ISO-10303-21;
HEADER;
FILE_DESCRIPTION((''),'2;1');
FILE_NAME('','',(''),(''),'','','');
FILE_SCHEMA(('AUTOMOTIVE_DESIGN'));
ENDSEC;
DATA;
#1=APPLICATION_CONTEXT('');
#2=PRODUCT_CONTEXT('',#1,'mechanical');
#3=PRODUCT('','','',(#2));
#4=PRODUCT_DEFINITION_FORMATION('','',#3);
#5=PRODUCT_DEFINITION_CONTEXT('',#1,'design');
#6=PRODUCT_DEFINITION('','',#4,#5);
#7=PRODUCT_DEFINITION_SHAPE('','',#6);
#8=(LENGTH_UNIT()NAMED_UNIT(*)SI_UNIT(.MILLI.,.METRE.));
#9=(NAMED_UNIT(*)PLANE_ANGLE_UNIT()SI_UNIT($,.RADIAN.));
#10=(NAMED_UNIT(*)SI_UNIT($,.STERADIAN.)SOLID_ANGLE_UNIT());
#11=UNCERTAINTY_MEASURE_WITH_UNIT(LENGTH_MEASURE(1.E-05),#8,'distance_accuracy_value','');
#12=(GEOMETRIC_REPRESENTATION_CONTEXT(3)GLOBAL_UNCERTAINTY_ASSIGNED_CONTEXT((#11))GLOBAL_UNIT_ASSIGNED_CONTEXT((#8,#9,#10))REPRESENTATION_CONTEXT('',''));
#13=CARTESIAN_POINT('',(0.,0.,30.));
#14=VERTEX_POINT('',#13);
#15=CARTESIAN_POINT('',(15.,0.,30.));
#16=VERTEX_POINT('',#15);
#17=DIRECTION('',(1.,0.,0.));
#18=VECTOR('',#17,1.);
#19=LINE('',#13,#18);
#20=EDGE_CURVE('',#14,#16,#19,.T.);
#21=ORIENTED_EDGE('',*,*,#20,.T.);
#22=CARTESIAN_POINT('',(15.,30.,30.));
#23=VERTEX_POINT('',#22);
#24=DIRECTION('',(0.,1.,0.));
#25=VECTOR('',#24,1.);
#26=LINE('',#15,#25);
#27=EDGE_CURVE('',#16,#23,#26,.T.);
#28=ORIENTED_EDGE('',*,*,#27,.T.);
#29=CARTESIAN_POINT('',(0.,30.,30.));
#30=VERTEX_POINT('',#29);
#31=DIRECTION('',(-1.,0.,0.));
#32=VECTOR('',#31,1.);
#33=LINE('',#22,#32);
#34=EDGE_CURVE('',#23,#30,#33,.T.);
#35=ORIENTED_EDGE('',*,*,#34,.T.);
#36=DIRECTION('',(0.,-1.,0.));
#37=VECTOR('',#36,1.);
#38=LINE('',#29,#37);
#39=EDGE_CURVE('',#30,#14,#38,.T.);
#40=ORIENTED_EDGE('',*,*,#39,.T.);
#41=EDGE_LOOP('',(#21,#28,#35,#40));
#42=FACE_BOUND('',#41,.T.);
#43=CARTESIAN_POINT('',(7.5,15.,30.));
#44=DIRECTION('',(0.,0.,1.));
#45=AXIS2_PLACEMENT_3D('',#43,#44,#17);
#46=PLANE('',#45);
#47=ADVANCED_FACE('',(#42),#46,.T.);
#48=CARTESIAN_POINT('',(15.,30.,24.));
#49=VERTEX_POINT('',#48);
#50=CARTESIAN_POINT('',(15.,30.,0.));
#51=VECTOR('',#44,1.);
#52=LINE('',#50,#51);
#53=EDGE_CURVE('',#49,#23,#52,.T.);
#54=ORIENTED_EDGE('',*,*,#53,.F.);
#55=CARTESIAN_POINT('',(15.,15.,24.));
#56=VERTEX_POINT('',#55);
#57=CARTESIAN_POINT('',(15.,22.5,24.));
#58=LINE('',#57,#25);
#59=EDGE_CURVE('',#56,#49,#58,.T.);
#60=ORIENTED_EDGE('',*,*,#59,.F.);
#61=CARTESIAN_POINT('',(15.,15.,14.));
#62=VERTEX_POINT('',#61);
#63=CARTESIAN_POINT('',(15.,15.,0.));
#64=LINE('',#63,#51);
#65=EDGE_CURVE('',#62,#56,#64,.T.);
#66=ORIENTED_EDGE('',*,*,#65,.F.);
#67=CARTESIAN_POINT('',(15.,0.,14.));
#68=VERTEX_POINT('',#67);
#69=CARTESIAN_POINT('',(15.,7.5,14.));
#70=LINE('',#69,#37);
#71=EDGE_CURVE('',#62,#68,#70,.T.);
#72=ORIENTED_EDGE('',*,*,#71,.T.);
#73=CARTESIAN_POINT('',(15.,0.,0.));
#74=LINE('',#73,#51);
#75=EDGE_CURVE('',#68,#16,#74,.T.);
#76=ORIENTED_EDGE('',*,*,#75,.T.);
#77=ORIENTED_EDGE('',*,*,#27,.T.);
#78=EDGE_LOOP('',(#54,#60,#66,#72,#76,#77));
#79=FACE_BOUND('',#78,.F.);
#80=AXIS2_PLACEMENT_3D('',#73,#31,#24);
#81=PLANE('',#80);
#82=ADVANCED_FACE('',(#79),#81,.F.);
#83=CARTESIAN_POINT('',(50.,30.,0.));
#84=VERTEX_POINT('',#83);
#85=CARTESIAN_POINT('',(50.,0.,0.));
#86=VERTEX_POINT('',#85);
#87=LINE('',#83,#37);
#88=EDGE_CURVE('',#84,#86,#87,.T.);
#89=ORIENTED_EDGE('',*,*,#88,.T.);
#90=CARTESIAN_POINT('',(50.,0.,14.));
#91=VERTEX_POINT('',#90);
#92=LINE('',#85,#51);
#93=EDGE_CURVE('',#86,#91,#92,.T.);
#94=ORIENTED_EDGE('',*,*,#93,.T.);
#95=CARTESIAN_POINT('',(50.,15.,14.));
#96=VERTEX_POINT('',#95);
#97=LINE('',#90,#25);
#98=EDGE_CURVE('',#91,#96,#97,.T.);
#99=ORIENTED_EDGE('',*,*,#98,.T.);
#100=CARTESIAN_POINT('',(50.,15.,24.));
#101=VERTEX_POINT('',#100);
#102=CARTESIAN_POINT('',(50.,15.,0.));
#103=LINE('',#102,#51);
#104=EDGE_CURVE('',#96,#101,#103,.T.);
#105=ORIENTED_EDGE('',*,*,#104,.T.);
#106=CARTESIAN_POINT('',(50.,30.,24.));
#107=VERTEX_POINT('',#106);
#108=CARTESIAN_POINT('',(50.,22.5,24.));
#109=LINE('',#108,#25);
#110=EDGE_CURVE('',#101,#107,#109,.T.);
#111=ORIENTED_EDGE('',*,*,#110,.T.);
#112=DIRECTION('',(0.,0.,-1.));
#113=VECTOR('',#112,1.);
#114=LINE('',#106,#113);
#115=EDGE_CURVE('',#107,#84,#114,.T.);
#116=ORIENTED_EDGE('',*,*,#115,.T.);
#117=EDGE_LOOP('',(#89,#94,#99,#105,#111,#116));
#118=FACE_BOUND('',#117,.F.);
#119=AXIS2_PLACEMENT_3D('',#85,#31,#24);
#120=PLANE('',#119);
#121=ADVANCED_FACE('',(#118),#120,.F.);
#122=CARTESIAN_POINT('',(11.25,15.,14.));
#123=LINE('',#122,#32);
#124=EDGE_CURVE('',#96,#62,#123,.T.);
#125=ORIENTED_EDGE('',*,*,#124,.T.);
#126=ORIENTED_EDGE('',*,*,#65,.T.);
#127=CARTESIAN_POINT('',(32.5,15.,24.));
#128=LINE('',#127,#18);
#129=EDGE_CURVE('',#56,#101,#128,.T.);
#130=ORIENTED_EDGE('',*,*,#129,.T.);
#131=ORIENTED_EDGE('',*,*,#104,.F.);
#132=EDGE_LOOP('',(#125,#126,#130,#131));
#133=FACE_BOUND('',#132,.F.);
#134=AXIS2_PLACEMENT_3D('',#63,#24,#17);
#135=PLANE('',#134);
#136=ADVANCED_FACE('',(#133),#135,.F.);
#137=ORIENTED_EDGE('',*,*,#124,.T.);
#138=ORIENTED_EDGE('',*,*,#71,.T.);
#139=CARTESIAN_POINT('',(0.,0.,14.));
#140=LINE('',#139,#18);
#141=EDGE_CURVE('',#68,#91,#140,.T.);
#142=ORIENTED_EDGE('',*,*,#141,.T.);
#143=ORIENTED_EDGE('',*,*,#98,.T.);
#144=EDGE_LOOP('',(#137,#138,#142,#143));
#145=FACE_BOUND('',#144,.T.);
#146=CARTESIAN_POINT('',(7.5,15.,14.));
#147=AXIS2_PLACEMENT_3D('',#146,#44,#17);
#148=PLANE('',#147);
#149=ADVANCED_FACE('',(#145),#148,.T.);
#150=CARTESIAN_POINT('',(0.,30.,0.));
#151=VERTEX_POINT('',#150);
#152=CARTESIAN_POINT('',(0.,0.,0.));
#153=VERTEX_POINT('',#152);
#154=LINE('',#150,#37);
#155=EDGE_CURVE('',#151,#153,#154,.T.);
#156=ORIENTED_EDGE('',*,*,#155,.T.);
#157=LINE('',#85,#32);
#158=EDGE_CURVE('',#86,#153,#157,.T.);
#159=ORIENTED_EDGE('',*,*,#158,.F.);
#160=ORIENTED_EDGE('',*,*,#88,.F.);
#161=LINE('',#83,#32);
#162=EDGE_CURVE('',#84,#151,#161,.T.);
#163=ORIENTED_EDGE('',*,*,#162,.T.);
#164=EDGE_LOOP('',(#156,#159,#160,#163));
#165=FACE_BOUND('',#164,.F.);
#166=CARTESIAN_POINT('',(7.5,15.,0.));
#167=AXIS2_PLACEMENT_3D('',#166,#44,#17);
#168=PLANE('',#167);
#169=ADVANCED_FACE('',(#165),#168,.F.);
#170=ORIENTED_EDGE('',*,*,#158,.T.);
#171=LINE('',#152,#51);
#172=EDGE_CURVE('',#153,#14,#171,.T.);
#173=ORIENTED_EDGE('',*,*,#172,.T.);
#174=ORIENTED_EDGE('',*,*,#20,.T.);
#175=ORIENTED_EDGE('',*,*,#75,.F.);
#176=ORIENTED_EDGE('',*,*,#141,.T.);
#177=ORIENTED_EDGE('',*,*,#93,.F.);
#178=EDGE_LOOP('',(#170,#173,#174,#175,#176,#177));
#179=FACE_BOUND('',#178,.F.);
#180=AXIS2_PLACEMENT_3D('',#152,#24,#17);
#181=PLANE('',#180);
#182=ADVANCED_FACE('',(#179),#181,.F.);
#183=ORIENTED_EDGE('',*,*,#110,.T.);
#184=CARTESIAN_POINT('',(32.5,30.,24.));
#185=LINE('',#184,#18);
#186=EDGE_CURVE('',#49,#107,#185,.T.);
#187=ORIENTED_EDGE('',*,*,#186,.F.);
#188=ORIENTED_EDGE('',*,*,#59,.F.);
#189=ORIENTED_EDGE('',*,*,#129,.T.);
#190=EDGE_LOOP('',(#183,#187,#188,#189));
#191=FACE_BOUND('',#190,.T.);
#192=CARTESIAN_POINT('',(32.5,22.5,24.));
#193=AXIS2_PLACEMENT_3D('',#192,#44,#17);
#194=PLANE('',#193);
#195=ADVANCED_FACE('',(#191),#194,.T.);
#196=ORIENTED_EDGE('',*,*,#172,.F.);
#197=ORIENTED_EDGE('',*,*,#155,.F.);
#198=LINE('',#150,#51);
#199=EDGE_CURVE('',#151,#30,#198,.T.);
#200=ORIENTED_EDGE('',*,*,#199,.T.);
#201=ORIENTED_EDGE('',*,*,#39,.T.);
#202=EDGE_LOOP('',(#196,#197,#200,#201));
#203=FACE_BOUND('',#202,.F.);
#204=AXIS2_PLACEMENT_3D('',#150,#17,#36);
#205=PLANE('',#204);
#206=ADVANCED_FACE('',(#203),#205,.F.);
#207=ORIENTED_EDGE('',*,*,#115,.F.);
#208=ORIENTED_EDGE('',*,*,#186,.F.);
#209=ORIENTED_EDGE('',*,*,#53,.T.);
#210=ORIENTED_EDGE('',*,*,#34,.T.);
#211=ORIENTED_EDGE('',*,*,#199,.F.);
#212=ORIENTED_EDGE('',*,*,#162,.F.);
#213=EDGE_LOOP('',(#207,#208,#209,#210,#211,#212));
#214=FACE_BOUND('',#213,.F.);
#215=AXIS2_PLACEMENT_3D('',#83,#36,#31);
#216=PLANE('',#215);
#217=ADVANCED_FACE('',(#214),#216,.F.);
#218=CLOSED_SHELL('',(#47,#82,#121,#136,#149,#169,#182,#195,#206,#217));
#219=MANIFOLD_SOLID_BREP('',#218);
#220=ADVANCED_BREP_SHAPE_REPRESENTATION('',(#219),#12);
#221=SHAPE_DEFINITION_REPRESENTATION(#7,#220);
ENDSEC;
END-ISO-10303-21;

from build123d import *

# Parameters (mm, degrees)
F0_W     = 35
F0_H     = 15
F1_DEPTH = 14
F2_DEPTH = 24
F3_DEPTH = 30


with BuildPart() as f1:
    # F0 (on Top) → F1 (new body)
    with BuildSketch(Plane.XY):
        Polygon((0, 30), (0, 0), (15, 0), (15, 15), (15, 30), align=None)
        with Locations((32.5, 7.5)):
            Rectangle(F0_W, F0_H)
        with Locations((32.5, 22.5)):
            Rectangle(F0_W, F0_H)
    extrude(amount=F1_DEPTH)

    # F0 (on Top) → F2 (join)
    with BuildSketch(Plane.XY):
        with Locations((32.5, 22.5)):
            Rectangle(F0_W, F0_H)
    extrude(amount=F2_DEPTH)

    # F0 (on Top) → F3 (join)
    with BuildSketch(Plane.XY):
        Polygon((0, 30), (0, 0), (15, 0), (15, 15), (15, 30), align=None)
    extrude(amount=F3_DEPTH)


solid = f1.part
